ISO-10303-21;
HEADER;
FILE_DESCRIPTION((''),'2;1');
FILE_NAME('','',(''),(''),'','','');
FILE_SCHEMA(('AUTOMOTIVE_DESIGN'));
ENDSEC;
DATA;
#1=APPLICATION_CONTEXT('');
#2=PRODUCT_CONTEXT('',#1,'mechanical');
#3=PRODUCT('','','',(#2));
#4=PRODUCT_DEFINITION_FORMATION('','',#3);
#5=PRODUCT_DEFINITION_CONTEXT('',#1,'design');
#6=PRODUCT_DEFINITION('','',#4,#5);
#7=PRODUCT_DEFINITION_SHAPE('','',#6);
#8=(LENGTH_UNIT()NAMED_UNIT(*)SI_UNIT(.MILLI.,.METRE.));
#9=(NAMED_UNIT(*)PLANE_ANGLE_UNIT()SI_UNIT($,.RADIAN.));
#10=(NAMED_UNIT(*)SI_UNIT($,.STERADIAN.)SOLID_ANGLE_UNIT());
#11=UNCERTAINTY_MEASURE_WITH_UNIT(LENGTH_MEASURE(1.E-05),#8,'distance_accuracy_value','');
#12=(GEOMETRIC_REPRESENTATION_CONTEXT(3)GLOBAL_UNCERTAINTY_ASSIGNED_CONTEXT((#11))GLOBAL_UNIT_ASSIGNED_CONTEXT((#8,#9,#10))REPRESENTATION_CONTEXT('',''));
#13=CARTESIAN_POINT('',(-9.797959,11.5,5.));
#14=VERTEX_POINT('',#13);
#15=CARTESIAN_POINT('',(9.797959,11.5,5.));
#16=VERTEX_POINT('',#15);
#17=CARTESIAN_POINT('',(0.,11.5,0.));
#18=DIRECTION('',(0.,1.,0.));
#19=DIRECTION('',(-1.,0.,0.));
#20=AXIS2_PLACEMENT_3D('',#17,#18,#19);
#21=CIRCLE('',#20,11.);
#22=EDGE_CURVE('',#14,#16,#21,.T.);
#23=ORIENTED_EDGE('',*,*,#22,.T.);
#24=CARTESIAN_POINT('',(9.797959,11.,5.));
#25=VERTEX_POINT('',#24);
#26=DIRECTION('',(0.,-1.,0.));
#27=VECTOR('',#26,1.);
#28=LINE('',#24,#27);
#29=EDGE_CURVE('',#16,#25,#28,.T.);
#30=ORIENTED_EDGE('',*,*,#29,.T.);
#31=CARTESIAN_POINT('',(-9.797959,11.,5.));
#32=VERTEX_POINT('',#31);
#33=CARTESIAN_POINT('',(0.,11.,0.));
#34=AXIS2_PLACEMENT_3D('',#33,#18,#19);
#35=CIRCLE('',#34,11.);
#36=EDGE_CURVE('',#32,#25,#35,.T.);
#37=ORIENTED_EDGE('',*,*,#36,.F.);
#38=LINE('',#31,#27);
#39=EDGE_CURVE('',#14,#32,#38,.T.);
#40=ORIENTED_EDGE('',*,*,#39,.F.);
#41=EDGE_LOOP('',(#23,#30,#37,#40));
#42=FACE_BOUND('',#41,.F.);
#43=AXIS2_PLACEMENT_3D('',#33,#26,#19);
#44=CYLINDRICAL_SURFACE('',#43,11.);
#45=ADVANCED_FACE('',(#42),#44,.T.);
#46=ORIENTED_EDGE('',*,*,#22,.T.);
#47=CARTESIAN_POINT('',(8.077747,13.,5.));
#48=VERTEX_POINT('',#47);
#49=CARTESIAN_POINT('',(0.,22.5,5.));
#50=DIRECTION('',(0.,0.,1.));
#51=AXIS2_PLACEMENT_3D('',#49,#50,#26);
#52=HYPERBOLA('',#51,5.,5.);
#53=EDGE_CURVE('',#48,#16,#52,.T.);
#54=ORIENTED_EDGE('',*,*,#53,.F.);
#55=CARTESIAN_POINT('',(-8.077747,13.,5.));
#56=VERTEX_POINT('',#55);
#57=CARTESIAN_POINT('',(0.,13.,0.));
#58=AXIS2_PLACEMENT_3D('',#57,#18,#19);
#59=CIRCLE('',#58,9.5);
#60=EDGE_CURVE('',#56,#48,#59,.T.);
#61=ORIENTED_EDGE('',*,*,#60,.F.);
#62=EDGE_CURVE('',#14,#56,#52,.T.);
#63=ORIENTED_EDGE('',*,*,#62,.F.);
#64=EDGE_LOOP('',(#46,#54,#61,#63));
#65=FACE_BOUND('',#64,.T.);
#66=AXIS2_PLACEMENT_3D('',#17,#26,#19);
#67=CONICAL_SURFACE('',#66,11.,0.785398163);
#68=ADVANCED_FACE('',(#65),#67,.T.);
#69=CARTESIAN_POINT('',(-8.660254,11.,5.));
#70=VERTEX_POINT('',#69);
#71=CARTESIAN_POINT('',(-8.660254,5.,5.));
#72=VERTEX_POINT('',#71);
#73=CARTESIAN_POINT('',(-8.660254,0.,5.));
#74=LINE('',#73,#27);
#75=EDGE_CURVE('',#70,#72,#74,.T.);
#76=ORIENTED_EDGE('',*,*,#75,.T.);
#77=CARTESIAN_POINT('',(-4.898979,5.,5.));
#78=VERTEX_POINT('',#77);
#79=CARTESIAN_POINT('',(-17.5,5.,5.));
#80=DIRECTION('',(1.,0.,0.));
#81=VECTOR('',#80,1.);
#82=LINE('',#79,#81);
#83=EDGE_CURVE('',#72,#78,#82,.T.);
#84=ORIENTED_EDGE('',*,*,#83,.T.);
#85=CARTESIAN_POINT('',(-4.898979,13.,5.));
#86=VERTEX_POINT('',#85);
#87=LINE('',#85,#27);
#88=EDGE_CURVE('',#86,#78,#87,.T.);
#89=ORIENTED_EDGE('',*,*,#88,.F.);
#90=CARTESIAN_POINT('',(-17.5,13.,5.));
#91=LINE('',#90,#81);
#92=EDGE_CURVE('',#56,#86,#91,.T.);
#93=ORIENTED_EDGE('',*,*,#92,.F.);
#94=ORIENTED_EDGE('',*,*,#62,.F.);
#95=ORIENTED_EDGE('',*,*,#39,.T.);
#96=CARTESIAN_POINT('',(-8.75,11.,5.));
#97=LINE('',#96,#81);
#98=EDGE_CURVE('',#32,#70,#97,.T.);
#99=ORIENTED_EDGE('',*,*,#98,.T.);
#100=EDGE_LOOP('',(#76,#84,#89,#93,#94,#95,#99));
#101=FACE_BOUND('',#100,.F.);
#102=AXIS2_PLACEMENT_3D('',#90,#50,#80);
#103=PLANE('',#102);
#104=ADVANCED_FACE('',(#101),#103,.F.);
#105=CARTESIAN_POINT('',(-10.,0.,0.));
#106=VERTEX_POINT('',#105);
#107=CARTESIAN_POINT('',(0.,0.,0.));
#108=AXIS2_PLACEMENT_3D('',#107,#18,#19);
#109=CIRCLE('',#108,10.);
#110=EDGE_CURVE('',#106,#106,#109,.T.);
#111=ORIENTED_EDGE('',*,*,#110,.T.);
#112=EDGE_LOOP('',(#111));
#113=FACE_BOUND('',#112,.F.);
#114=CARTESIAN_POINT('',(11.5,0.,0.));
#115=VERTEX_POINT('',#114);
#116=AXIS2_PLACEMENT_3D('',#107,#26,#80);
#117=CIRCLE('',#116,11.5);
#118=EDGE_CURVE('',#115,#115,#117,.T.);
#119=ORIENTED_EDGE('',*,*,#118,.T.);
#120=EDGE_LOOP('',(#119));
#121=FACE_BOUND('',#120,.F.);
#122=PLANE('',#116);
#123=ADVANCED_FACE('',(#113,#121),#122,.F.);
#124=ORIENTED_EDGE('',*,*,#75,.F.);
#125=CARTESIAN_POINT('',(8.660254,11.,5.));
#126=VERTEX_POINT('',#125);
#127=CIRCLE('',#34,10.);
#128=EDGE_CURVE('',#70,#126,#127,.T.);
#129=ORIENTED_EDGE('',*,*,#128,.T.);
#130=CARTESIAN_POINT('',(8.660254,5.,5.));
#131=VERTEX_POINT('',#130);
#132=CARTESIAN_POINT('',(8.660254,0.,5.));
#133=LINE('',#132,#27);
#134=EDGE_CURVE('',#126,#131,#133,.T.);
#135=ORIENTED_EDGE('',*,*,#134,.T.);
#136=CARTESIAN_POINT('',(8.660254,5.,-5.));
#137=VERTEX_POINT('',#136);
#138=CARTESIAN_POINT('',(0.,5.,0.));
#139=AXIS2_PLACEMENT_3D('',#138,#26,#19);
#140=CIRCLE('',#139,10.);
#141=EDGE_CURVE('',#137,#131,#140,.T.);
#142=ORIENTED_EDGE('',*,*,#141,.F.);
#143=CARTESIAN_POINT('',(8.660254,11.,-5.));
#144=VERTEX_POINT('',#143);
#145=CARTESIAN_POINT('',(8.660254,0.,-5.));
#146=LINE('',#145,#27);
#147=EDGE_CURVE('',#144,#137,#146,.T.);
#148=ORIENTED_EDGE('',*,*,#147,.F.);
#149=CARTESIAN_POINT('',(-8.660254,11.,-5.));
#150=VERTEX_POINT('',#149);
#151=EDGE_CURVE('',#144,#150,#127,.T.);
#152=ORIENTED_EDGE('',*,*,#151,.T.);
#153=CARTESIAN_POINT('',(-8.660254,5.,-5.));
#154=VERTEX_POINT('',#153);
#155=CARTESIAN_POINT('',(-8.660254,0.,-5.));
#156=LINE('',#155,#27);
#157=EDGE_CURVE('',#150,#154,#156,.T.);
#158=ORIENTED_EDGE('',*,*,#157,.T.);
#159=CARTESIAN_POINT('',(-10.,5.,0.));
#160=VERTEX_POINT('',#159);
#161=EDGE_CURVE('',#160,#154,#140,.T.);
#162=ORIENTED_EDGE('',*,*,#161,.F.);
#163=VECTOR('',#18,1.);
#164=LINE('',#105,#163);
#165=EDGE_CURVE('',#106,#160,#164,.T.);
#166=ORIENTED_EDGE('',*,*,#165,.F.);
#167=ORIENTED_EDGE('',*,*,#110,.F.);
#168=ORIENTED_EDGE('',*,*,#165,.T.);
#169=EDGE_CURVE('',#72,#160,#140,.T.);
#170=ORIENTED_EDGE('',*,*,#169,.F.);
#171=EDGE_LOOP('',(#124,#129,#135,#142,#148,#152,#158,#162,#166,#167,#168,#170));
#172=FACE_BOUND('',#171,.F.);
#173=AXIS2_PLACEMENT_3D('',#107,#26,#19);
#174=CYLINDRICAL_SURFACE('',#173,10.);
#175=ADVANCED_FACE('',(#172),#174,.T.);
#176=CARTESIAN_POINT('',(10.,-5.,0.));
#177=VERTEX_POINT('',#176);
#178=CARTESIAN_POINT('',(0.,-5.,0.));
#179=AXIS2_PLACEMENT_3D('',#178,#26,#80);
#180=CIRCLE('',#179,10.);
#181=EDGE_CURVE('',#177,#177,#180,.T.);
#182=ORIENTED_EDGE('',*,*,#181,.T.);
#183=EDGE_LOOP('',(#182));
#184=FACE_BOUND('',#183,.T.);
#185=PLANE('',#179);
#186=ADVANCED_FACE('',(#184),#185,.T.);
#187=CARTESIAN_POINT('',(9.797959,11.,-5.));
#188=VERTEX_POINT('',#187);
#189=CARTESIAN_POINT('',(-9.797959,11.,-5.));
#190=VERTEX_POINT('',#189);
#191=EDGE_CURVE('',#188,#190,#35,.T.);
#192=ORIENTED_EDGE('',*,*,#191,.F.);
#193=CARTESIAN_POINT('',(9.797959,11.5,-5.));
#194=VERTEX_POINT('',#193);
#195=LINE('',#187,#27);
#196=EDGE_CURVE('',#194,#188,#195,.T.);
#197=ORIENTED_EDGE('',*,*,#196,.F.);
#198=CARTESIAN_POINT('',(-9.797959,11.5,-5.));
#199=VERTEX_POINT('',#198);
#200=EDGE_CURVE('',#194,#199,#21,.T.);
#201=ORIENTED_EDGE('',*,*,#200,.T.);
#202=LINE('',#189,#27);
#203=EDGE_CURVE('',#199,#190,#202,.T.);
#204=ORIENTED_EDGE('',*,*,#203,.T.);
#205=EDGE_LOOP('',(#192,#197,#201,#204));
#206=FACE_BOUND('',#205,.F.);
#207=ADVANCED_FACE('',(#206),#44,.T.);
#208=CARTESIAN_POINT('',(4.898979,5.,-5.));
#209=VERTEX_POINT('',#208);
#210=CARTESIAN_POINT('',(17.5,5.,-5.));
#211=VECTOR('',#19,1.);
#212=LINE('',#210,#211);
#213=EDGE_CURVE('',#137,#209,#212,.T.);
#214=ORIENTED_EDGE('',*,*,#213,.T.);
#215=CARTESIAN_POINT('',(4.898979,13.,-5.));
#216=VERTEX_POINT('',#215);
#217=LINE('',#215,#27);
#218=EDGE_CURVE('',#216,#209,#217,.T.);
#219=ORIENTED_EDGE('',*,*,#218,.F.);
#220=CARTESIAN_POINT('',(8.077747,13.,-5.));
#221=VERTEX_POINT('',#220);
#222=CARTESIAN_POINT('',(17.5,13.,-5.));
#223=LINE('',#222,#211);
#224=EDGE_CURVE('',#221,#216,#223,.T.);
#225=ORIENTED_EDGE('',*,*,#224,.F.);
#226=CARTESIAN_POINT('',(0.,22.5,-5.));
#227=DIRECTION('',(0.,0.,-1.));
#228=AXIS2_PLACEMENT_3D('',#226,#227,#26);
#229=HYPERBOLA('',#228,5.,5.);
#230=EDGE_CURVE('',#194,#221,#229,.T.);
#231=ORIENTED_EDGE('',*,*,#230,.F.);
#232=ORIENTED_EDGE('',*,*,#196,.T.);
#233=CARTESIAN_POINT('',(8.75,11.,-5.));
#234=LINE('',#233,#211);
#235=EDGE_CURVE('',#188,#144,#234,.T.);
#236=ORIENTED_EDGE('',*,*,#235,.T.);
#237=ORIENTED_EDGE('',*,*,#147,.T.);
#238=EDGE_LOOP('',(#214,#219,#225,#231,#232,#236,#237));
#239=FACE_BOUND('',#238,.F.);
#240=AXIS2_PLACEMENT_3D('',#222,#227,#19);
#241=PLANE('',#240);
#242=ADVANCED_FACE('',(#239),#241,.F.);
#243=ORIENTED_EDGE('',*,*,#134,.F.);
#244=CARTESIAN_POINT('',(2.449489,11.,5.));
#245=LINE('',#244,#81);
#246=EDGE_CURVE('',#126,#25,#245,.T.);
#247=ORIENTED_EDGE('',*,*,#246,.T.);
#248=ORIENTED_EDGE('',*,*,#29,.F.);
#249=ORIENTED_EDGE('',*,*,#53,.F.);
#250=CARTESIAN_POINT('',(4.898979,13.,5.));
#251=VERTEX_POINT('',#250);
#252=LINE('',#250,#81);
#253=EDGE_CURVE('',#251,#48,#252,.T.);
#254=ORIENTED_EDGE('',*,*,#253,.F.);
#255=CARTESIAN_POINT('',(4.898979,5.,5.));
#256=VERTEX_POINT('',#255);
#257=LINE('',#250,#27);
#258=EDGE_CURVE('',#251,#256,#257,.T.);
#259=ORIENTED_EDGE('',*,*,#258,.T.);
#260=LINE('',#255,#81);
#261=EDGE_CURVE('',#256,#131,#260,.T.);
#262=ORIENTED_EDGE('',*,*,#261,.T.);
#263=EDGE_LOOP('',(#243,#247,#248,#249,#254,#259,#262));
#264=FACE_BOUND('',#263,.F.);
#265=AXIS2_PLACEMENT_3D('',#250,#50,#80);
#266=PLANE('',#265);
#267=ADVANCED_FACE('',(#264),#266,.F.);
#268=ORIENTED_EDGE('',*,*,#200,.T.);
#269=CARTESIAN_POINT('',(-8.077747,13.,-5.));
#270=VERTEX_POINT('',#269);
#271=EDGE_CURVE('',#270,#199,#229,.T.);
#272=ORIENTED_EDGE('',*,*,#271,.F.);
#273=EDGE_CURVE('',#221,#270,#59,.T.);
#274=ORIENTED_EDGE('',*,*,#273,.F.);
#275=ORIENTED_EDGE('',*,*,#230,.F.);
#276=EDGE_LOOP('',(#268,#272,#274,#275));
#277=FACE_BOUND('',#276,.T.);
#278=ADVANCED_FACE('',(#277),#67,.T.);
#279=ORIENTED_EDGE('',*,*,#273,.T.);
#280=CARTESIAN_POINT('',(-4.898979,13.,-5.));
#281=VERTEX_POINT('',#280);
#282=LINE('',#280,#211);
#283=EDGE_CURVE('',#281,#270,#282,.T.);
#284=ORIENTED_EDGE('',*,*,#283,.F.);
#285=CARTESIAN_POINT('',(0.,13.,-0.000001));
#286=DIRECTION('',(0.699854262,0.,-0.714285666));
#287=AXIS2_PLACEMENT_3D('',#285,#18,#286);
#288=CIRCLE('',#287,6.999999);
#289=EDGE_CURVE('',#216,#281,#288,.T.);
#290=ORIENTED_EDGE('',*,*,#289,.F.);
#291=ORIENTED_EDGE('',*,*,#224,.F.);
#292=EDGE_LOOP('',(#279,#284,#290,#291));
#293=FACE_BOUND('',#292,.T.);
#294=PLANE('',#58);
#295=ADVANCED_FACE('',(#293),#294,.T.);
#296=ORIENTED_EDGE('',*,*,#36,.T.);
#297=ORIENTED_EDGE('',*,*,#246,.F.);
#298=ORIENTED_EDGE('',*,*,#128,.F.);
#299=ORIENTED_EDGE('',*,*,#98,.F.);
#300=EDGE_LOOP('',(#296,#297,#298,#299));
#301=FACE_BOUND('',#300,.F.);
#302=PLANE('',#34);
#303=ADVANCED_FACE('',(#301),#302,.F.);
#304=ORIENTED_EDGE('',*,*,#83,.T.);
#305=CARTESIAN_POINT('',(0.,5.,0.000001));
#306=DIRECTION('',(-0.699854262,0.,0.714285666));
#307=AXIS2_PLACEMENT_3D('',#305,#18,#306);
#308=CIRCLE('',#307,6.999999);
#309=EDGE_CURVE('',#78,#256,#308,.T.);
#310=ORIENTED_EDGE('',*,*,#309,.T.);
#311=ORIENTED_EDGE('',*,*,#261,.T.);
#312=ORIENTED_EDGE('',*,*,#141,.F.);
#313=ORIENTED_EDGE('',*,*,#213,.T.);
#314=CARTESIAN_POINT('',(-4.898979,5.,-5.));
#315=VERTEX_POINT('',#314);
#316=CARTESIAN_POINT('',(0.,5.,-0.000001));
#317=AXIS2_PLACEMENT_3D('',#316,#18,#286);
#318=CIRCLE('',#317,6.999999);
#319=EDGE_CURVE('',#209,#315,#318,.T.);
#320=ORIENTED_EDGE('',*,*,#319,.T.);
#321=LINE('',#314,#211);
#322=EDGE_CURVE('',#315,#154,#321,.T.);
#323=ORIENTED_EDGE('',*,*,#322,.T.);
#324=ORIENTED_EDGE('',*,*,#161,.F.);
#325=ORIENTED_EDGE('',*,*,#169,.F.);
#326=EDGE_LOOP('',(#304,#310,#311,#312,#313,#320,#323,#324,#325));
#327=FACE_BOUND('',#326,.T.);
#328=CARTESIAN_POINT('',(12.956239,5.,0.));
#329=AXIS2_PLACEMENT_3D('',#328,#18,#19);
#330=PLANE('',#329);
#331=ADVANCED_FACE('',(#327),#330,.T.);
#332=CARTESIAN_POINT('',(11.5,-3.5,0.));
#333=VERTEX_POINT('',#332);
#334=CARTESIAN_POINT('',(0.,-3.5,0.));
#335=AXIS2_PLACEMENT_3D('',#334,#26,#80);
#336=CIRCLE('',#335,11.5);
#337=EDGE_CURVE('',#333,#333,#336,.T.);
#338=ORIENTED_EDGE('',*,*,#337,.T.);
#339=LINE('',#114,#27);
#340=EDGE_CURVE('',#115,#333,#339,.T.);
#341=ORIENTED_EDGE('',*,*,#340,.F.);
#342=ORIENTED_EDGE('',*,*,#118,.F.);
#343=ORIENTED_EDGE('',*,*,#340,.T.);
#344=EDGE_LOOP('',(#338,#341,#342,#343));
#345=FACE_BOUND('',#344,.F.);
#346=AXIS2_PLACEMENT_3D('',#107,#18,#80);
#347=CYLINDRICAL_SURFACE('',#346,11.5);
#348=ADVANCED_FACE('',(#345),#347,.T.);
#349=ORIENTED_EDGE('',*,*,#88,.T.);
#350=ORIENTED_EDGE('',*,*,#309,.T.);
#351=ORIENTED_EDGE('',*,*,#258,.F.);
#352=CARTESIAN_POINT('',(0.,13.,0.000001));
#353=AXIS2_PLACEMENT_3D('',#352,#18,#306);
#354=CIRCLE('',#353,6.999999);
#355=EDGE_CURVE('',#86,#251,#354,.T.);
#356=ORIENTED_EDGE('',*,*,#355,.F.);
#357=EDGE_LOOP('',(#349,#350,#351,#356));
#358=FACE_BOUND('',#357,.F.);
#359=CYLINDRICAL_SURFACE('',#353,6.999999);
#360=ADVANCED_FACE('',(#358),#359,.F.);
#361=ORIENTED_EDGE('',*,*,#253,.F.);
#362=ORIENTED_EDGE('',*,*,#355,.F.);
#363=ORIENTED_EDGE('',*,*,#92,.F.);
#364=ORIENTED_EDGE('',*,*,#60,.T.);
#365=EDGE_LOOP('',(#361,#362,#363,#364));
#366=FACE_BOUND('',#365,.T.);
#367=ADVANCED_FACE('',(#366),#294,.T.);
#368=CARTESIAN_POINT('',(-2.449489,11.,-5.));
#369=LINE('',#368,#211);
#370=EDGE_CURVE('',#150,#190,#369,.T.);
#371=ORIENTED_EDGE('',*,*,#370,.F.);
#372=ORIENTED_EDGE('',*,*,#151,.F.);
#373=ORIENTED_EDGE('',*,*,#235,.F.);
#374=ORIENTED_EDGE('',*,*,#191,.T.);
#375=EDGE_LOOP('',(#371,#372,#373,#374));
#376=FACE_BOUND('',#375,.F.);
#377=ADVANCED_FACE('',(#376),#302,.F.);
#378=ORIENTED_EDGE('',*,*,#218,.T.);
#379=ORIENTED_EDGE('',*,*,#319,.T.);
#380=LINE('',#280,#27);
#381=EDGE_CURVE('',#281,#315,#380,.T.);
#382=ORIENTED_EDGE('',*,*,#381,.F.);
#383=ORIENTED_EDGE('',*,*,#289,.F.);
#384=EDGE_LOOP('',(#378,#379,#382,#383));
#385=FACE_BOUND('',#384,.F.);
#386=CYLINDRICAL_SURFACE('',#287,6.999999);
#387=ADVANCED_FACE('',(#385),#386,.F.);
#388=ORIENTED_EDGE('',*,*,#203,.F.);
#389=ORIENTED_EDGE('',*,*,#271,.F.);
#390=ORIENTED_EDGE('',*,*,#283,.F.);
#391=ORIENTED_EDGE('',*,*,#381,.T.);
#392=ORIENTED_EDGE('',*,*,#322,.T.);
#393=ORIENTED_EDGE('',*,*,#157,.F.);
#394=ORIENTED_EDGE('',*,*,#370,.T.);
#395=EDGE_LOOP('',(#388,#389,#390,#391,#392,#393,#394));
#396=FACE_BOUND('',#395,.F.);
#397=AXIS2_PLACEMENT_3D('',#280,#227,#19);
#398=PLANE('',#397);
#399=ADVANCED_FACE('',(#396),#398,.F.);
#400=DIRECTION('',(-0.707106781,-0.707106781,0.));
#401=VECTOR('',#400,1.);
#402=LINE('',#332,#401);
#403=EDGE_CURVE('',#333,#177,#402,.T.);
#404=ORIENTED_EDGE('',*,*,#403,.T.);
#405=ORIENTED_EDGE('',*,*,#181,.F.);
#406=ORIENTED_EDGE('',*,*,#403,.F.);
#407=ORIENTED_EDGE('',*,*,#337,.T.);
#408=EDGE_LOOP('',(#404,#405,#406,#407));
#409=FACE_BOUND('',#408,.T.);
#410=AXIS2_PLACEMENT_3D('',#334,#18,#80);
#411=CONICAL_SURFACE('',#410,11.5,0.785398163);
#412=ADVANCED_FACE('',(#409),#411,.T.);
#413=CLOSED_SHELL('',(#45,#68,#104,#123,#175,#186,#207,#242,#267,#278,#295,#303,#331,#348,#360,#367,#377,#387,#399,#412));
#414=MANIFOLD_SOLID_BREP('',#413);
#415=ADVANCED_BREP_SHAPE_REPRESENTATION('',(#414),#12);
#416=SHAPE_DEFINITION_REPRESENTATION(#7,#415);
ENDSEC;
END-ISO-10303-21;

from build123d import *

# Parameters (mm, degrees)
F0_R     = 11.5
F1_DEPTH = 5
F2_R     = 10
F3_DEPTH = 11
F4_R     = 11
F5_DEPTH = 2
F6_SIZE  = 1.5
F7_SIZE  = 1.5
F9_DEPTH = 8


with BuildPart() as f1:
    # F0 (on Front) → F1 (new body)
    with BuildSketch(Plane.XZ):
        Circle(F0_R)
    extrude(amount=F1_DEPTH)

    # F2 (on face) → F3 (join)
    with BuildSketch(Plane(origin=(0, 0, 0), x_dir=(-1, 0, 0), z_dir=(0, 1, 0))):
        Circle(F2_R)
    extrude(amount=F3_DEPTH)

    # F4 (on face) → F5 (join)
    with BuildSketch(Plane(origin=(0, 11, 0), x_dir=(-1, 0, 0), z_dir=(0, 1, 0))):
        Circle(F4_R)
    extrude(amount=F5_DEPTH)

    # F6
    f6_edges = [f1.edges().sort_by_distance(p)[0] for p in [
        (11, 13, 0),
    ]]
    chamfer(f6_edges, length=F6_SIZE)

    # F7
    f7_edges = [f1.edges().sort_by_distance(p)[0] for p in [
        (-11.5, -5, 0),
    ]]
    chamfer(f7_edges, length=F7_SIZE)

    # F8 (on face) → F9 (cut)
    with BuildSketch(Plane(origin=(0, 13, 0), x_dir=(-1, 0, 0), z_dir=(0, 1, 0))):
        with BuildLine():
            Line((-8.077747, 5), (-17.5, 5))
            Line((-17.5, 5), (-17.5, -5))
            Line((-17.5, -5), (-8.077747, -5))
            ThreePointArc((-8.077747, -5), (-9.5, 0), (-8.077747, 5))
        make_face()
        with BuildLine():
            Line((17.5, 5), (8.077747, 5))
            ThreePointArc((8.077747, 5), (9.137522, 2.599173), (9.5, 0))
            ThreePointArc((9.5, 0), (9.137522, -2.599173), (8.077747, -5))
            Line((8.077747, -5), (17.5, -5))
            Line((17.5, -5), (17.5, 5))
        make_face()
        with BuildLine():
            Line((-4.898979, 5), (-8.077747, 5))
            ThreePointArc((-8.077747, 5), (-9.5, 0), (-8.077747, -5))
            Line((-8.077747, -5), (-4.898979, -5))
            ThreePointArc((-4.898979, -5), (0, -7), (4.898979, -5))
            Line((4.898979, -5), (8.077747, -5))
            ThreePointArc((8.077747, -5), (9.137522, -2.599173), (9.5, 0))
            ThreePointArc((9.5, 0), (9.137522, 2.599173), (8.077747, 5))
            Line((8.077747, 5), (4.898979, 5))
            ThreePointArc((4.898979, 5), (0, 7), (-4.898979, 5))
        make_face()
    extrude(amount=-F9_DEPTH, mode=Mode.SUBTRACT)


solid = f1.part
